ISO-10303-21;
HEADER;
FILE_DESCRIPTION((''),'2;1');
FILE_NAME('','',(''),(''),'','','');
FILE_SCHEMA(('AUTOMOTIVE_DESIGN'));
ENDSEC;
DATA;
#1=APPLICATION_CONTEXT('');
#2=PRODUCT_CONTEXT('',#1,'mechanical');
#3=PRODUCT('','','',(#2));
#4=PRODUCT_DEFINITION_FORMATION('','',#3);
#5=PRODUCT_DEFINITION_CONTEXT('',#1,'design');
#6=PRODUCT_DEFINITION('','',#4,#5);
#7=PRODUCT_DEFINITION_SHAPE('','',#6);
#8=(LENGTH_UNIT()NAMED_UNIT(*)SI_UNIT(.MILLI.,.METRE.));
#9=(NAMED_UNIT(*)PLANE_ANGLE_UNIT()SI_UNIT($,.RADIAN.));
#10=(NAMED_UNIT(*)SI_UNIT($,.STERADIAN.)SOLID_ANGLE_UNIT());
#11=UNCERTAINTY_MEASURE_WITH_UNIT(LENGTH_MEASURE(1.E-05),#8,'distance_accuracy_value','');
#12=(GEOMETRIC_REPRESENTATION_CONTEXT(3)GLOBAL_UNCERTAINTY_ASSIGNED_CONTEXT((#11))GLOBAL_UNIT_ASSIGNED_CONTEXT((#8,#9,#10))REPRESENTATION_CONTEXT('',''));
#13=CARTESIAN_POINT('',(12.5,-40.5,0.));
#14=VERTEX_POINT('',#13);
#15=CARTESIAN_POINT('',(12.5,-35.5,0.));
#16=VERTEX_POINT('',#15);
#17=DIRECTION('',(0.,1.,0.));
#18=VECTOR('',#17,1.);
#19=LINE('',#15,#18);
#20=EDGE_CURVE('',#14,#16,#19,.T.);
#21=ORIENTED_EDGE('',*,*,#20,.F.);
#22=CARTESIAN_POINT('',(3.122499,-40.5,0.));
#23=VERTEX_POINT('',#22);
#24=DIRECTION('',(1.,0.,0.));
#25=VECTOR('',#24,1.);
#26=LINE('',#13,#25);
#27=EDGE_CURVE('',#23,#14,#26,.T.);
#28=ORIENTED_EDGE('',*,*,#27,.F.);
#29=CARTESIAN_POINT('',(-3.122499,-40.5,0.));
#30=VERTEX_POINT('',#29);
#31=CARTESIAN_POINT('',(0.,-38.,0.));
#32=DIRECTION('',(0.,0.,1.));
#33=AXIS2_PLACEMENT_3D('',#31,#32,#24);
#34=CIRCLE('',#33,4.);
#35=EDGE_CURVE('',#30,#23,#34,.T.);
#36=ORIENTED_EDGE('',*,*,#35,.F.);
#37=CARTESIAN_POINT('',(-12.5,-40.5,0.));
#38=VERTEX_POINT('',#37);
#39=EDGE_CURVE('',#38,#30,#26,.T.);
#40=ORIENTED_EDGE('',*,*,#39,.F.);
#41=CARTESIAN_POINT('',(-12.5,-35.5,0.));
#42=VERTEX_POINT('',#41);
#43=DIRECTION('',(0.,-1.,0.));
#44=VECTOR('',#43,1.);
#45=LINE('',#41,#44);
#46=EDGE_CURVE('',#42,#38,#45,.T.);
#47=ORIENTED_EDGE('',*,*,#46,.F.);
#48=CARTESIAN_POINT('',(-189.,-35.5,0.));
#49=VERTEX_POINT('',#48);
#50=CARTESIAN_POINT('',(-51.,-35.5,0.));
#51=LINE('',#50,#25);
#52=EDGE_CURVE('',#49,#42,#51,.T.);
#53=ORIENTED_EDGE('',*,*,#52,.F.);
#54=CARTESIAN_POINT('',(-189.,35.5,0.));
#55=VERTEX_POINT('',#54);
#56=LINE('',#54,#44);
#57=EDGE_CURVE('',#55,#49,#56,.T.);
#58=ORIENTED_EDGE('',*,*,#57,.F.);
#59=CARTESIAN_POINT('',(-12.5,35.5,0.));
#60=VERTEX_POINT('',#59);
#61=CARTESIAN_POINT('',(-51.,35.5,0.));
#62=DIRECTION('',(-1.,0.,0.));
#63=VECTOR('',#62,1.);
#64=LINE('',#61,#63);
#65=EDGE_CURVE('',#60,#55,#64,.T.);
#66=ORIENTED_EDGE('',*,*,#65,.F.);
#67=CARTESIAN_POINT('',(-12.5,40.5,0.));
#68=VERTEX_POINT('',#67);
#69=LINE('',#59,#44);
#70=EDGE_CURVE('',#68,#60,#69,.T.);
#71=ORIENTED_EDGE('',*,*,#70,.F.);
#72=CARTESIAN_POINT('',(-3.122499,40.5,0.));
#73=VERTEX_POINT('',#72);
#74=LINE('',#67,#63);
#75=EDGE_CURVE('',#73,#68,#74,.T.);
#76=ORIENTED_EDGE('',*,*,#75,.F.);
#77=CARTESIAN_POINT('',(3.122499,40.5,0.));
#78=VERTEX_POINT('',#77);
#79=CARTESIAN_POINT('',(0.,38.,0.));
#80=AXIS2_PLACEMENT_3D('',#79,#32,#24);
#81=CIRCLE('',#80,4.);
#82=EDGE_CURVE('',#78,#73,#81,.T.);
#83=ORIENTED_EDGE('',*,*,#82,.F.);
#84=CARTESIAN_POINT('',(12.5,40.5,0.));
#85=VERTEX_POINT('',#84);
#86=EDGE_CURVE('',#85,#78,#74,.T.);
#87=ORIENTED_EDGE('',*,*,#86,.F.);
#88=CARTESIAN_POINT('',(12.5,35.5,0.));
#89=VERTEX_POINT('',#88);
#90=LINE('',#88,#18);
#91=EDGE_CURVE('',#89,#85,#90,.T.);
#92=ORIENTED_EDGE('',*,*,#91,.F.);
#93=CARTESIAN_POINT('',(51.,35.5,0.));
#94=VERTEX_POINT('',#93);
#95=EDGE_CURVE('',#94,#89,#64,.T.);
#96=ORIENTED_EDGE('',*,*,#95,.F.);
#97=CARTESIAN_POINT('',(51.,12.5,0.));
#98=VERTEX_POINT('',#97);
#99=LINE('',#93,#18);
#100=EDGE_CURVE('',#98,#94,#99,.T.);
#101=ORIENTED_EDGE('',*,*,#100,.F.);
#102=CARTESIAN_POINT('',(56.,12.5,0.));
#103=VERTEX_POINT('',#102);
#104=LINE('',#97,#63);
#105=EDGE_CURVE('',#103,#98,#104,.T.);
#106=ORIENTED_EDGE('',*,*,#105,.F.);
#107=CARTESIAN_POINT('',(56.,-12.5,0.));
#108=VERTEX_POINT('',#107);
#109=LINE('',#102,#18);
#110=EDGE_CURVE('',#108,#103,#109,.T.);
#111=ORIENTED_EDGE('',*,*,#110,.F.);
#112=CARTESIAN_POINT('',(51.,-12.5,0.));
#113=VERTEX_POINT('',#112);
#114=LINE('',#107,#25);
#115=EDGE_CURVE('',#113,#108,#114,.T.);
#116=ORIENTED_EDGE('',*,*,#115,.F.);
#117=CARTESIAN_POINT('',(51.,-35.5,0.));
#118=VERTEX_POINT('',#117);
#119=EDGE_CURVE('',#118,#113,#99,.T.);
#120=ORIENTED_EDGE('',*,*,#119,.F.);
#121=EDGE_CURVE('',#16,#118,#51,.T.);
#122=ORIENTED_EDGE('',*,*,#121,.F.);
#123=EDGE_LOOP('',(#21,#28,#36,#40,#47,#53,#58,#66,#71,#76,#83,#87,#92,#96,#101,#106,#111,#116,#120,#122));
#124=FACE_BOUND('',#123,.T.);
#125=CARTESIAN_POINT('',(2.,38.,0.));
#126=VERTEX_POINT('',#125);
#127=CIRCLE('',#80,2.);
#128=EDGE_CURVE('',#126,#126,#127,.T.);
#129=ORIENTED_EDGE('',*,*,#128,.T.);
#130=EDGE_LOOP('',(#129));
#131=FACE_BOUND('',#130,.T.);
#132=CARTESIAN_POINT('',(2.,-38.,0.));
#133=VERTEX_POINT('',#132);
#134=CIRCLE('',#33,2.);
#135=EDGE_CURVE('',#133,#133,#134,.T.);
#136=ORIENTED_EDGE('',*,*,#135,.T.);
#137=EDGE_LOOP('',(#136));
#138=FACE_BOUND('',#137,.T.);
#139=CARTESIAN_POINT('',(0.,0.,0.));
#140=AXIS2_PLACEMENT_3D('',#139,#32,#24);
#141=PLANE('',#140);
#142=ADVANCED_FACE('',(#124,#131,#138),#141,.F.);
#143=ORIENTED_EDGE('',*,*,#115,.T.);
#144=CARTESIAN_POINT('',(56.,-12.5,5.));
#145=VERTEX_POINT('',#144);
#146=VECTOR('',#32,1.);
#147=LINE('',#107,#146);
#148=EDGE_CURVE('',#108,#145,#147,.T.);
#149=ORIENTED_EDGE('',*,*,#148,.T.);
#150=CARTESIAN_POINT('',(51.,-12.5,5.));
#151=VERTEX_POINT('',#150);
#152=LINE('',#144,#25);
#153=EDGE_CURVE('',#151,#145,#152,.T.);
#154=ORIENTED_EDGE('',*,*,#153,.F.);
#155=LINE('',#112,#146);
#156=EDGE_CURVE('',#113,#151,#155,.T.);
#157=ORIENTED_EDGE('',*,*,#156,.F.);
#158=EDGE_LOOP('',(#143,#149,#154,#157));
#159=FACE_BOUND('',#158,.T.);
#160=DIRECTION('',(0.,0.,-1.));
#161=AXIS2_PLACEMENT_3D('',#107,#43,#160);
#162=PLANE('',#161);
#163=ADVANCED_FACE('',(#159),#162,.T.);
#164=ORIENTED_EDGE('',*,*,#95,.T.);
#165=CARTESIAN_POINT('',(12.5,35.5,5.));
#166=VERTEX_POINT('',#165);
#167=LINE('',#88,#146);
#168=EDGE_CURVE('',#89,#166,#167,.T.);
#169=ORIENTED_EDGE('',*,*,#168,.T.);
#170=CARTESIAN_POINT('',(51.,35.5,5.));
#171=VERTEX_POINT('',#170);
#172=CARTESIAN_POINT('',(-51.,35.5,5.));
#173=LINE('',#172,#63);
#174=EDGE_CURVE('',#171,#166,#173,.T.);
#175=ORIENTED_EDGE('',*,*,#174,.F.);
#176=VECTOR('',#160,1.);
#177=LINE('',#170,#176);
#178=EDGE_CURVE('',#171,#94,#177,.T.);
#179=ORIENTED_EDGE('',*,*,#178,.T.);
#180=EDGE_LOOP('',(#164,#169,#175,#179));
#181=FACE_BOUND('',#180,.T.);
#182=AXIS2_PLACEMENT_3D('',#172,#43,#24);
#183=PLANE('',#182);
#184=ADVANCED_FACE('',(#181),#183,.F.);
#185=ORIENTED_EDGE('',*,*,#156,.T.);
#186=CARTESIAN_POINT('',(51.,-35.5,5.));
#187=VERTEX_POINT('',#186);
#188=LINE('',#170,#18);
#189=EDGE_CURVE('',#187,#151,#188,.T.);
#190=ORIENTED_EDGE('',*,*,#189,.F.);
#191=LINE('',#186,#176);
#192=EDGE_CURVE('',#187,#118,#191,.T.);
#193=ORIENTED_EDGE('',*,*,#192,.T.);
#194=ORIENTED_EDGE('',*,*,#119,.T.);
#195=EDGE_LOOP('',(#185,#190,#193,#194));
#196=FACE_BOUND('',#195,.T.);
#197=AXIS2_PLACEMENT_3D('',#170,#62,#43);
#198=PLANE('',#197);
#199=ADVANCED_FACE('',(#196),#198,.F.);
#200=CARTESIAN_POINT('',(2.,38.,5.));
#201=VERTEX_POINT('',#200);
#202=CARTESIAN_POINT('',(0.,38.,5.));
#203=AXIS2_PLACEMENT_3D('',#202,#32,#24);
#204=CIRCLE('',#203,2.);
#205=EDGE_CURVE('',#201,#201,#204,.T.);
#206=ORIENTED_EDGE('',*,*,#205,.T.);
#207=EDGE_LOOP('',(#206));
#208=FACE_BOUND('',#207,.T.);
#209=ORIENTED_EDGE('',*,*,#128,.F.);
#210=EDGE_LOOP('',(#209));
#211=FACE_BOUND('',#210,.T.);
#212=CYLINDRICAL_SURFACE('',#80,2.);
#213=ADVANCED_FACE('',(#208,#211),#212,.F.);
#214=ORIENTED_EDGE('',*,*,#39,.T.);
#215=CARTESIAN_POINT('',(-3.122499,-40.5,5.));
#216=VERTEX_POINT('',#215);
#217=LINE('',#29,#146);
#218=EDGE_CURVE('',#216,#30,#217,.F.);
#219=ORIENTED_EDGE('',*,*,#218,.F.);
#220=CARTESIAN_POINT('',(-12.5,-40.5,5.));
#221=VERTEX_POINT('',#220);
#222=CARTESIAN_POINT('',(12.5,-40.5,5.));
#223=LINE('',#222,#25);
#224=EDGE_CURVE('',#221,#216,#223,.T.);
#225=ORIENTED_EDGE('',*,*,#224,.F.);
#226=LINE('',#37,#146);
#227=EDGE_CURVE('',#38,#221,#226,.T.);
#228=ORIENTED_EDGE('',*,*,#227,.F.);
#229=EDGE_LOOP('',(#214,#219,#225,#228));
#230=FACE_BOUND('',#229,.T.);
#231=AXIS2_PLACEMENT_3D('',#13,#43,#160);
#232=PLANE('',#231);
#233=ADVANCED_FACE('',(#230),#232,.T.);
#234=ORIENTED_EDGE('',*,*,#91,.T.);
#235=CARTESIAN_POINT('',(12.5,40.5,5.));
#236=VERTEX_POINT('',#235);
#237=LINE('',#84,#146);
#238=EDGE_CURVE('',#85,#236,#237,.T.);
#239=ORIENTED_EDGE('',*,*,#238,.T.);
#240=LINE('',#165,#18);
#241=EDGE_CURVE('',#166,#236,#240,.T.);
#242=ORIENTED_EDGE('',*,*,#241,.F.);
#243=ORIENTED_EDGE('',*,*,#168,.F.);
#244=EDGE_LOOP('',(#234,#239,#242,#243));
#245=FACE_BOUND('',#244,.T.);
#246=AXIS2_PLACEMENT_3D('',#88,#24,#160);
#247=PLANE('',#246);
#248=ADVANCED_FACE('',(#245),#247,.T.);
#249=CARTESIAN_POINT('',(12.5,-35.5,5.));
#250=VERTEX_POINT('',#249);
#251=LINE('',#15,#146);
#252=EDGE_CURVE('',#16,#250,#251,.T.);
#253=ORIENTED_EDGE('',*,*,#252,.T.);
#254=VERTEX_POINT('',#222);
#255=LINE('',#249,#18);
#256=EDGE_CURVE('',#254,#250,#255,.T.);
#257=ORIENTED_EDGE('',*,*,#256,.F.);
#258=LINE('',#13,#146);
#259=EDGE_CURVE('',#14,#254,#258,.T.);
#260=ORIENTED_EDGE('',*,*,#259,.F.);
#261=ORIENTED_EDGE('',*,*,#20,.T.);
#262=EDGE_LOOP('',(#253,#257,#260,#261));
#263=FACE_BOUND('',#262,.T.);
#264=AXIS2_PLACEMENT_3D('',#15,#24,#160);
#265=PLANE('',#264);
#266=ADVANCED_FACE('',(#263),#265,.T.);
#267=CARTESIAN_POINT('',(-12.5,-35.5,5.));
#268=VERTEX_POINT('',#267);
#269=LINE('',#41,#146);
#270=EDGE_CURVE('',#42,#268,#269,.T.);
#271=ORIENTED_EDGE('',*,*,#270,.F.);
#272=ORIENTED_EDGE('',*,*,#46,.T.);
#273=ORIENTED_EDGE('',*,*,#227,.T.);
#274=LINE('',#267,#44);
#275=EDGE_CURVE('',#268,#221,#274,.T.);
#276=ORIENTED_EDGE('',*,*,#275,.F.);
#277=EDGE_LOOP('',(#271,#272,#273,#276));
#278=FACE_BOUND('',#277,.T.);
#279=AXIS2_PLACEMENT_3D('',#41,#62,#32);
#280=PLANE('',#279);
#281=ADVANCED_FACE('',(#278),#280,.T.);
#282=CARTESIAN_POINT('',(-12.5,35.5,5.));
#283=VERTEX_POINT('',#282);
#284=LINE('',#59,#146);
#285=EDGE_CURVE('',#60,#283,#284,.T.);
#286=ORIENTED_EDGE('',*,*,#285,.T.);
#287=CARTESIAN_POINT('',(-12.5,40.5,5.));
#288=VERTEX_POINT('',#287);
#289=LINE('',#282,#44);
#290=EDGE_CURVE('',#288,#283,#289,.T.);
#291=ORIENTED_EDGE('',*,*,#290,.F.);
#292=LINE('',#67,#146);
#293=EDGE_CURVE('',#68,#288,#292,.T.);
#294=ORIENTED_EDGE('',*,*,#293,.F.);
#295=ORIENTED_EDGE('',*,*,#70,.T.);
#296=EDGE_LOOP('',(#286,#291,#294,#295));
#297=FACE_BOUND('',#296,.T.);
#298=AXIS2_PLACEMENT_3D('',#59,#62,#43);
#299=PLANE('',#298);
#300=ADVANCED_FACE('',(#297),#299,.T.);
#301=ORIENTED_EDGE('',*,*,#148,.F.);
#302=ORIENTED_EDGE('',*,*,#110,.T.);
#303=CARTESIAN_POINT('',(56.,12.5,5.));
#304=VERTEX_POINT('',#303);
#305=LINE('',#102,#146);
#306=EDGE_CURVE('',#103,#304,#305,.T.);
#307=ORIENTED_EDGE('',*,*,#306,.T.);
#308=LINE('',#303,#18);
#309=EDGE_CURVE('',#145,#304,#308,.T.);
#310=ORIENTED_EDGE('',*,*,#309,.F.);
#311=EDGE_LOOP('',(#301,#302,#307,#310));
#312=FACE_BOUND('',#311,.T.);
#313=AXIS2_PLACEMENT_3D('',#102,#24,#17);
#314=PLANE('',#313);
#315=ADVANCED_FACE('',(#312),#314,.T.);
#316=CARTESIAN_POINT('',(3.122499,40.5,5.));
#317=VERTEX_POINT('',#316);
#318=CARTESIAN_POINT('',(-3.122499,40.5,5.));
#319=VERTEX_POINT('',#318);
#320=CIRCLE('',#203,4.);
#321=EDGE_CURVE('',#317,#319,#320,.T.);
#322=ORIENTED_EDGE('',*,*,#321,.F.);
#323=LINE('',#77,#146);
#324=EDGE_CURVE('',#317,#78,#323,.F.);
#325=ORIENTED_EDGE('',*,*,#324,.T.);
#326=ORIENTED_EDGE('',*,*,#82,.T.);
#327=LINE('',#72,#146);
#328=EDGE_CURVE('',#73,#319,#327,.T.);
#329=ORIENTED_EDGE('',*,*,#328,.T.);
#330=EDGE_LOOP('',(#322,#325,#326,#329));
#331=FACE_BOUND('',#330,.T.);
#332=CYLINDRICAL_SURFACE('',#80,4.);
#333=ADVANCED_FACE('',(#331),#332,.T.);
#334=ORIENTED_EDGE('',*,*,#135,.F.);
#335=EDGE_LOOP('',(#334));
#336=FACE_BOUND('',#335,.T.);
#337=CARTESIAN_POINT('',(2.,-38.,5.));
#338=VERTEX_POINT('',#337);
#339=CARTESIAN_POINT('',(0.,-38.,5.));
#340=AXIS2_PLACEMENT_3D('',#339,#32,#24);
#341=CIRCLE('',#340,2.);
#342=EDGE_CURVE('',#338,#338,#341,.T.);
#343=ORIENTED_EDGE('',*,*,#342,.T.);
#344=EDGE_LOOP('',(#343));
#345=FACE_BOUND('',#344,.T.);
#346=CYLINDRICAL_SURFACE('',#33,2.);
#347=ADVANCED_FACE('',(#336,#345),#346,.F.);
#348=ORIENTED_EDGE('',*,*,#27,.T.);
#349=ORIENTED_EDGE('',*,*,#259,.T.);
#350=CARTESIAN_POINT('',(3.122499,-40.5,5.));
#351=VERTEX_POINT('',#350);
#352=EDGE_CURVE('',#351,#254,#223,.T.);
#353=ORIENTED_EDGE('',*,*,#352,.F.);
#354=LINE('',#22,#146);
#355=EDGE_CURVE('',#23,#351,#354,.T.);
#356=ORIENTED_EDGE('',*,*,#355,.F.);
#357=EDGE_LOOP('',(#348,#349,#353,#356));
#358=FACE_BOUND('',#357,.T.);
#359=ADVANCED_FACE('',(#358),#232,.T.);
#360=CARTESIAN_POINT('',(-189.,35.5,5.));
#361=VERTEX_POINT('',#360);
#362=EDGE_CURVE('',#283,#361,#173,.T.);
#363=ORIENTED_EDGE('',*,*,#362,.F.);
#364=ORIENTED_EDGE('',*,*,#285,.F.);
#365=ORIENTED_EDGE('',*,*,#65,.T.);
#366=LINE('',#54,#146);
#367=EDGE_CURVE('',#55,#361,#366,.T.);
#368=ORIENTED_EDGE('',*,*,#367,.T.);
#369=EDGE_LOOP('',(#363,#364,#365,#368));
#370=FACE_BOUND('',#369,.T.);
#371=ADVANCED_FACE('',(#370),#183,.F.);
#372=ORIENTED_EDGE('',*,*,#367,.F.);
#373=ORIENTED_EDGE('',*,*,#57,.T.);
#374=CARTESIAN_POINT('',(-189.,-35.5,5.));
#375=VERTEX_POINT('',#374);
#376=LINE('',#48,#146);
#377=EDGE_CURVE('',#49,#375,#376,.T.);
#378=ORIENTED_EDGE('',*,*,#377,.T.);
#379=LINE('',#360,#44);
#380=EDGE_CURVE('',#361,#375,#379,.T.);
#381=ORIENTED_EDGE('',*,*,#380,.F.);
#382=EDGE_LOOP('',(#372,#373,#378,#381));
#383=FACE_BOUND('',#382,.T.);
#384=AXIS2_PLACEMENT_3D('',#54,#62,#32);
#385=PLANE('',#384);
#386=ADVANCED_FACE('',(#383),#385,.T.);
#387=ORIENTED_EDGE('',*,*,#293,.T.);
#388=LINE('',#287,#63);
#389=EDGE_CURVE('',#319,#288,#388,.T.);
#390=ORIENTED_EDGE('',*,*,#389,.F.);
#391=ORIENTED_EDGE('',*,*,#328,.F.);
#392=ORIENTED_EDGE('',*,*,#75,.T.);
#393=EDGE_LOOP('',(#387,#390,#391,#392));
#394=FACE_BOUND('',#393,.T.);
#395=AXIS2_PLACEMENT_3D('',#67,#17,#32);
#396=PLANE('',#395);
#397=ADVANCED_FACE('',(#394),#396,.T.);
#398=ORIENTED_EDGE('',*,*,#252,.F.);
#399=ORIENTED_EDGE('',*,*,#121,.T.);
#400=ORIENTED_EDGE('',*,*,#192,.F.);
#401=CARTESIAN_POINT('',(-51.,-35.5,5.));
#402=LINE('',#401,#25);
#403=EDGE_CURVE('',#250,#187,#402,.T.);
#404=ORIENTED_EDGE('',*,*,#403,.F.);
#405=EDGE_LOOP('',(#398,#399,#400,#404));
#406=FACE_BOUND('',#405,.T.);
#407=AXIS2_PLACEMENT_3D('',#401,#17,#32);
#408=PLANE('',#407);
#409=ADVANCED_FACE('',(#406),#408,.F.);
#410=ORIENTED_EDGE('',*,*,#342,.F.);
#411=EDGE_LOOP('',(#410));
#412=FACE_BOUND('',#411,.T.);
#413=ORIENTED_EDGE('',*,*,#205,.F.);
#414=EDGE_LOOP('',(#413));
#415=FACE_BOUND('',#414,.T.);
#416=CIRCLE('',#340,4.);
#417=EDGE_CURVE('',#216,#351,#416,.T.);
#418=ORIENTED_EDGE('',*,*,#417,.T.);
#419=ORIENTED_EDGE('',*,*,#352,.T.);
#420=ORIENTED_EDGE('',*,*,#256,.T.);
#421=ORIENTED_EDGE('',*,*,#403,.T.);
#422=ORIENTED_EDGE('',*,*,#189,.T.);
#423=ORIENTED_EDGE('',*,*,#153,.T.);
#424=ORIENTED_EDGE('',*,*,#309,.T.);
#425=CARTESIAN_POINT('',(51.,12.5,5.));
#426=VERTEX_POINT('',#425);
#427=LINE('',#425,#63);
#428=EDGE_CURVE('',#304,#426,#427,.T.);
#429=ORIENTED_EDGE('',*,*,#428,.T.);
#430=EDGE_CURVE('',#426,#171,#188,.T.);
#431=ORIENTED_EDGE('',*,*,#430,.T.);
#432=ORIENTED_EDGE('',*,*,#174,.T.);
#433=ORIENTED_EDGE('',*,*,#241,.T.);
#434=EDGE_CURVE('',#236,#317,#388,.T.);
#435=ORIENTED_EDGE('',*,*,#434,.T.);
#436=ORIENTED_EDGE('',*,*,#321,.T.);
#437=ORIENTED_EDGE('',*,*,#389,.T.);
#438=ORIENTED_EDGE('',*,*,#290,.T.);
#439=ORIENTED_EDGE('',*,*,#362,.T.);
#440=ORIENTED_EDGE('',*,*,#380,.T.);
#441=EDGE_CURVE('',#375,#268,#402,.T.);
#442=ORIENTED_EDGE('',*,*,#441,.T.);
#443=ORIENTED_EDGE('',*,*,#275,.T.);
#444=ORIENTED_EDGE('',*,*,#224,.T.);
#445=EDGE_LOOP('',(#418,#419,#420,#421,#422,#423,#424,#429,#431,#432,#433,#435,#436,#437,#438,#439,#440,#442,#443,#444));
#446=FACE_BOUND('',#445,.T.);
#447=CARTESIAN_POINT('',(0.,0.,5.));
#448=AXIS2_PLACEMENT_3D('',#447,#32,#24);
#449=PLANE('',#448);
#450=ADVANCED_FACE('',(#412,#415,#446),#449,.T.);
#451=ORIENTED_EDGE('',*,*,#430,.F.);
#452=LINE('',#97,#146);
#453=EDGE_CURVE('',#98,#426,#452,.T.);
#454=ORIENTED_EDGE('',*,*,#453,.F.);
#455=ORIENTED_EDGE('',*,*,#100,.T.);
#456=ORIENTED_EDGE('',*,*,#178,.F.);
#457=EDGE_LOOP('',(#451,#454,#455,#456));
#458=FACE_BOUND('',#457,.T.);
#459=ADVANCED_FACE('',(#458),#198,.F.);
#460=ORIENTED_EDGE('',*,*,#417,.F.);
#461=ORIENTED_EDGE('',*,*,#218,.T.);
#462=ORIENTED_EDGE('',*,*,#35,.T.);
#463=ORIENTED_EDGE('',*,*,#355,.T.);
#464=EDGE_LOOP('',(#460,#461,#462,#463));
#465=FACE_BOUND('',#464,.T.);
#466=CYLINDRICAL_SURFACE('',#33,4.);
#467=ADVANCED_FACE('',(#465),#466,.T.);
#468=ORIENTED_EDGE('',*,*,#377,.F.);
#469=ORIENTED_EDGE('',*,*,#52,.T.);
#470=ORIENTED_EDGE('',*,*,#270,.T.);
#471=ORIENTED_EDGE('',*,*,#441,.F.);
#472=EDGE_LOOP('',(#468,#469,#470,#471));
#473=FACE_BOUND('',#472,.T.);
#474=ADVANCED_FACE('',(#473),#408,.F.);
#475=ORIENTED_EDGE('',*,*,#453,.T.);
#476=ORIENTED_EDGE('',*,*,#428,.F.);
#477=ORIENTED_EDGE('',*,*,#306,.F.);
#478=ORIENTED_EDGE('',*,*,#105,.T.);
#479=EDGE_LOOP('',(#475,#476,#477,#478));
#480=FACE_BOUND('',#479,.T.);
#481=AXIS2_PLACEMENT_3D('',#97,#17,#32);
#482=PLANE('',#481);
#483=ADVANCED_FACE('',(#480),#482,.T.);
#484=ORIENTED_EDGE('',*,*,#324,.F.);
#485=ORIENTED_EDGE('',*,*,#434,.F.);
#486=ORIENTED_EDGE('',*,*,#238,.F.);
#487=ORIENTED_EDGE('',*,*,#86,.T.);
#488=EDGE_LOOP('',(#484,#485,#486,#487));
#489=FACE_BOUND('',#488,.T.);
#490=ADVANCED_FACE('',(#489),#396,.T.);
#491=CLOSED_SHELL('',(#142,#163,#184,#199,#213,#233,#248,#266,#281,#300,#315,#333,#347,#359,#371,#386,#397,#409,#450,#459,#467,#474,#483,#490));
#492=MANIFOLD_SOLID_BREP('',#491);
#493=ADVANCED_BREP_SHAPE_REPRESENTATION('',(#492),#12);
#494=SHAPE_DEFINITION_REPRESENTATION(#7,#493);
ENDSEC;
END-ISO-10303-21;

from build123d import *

# Parameters (mm, degrees)
SKETCH1_W           = 102
SKETCH1_H           = 71
BOSS_EXTRUDE1_DEPTH = 5
SKETCH3_W           = 25
SKETCH3_H           = 5
SKETCH3_W_2         = 5
SKETCH3_H_2         = 25
BOSS_EXTRUDE2_DEPTH = 5
SKETCH4_R           = 2
CUT_EXTRUDE1_DEPTH  = 5
SKETCH5_R           = 4
SKETCH5_R_2         = 2
BOSS_EXTRUDE3_DEPTH = 5
SKETCH6_W           = 138
SKETCH6_H           = 71
BOSS_EXTRUDE4_DEPTH = 5


with BuildPart() as part:
    # Sketch1 → Boss-Extrude1 (new body)
    with BuildSketch(Plane.XY):
        Rectangle(SKETCH1_W, SKETCH1_H)
    extrude(amount=BOSS_EXTRUDE1_DEPTH)

    # Sketch3 → Boss-Extrude2 (add)
    with BuildSketch(Plane.XY.offset(5)):
        with Locations((0, 38)):
            Rectangle(SKETCH3_W, SKETCH3_H)
        with Locations((53.5, 0)):
            Rectangle(SKETCH3_W_2, SKETCH3_H_2)
        with Locations((0, -38)):
            Rectangle(SKETCH3_W, SKETCH3_H)
    extrude(amount=-BOSS_EXTRUDE2_DEPTH)

    # Sketch4 → Cut-Extrude1 (cut)
    with BuildSketch(Plane.XY.offset(5)):
        with Locations((0, 38)):
            Circle(SKETCH4_R)
        with Locations((0, -38)):
            Circle(SKETCH4_R)
    extrude(amount=-CUT_EXTRUDE1_DEPTH, mode=Mode.SUBTRACT)

    # Sketch5 → Boss-Extrude3 (add)
    # profile 1 of 2: a face of its own
    with BuildSketch(Plane.XY.offset(5)):
        with Locations((0, 38)):
            Circle(SKETCH5_R)
        with Locations((0, 38)):
            Circle(SKETCH5_R_2, mode=Mode.SUBTRACT)
    # profile 2 of 2: a face of its own
    with BuildSketch(Plane.XY.offset(5)):
        with Locations((0, -38)):
            Circle(SKETCH5_R)
        with Locations((0, -38)):
            Circle(SKETCH5_R_2, mode=Mode.SUBTRACT)
    extrude(amount=-BOSS_EXTRUDE3_DEPTH)

    # Sketch6 → Boss-Extrude4 (add)
    with BuildSketch(Plane.XY.offset(5)):
        with Locations((-120, 0)):
            Rectangle(SKETCH6_W, SKETCH6_H)
    extrude(amount=-BOSS_EXTRUDE4_DEPTH)


solid = part.part
